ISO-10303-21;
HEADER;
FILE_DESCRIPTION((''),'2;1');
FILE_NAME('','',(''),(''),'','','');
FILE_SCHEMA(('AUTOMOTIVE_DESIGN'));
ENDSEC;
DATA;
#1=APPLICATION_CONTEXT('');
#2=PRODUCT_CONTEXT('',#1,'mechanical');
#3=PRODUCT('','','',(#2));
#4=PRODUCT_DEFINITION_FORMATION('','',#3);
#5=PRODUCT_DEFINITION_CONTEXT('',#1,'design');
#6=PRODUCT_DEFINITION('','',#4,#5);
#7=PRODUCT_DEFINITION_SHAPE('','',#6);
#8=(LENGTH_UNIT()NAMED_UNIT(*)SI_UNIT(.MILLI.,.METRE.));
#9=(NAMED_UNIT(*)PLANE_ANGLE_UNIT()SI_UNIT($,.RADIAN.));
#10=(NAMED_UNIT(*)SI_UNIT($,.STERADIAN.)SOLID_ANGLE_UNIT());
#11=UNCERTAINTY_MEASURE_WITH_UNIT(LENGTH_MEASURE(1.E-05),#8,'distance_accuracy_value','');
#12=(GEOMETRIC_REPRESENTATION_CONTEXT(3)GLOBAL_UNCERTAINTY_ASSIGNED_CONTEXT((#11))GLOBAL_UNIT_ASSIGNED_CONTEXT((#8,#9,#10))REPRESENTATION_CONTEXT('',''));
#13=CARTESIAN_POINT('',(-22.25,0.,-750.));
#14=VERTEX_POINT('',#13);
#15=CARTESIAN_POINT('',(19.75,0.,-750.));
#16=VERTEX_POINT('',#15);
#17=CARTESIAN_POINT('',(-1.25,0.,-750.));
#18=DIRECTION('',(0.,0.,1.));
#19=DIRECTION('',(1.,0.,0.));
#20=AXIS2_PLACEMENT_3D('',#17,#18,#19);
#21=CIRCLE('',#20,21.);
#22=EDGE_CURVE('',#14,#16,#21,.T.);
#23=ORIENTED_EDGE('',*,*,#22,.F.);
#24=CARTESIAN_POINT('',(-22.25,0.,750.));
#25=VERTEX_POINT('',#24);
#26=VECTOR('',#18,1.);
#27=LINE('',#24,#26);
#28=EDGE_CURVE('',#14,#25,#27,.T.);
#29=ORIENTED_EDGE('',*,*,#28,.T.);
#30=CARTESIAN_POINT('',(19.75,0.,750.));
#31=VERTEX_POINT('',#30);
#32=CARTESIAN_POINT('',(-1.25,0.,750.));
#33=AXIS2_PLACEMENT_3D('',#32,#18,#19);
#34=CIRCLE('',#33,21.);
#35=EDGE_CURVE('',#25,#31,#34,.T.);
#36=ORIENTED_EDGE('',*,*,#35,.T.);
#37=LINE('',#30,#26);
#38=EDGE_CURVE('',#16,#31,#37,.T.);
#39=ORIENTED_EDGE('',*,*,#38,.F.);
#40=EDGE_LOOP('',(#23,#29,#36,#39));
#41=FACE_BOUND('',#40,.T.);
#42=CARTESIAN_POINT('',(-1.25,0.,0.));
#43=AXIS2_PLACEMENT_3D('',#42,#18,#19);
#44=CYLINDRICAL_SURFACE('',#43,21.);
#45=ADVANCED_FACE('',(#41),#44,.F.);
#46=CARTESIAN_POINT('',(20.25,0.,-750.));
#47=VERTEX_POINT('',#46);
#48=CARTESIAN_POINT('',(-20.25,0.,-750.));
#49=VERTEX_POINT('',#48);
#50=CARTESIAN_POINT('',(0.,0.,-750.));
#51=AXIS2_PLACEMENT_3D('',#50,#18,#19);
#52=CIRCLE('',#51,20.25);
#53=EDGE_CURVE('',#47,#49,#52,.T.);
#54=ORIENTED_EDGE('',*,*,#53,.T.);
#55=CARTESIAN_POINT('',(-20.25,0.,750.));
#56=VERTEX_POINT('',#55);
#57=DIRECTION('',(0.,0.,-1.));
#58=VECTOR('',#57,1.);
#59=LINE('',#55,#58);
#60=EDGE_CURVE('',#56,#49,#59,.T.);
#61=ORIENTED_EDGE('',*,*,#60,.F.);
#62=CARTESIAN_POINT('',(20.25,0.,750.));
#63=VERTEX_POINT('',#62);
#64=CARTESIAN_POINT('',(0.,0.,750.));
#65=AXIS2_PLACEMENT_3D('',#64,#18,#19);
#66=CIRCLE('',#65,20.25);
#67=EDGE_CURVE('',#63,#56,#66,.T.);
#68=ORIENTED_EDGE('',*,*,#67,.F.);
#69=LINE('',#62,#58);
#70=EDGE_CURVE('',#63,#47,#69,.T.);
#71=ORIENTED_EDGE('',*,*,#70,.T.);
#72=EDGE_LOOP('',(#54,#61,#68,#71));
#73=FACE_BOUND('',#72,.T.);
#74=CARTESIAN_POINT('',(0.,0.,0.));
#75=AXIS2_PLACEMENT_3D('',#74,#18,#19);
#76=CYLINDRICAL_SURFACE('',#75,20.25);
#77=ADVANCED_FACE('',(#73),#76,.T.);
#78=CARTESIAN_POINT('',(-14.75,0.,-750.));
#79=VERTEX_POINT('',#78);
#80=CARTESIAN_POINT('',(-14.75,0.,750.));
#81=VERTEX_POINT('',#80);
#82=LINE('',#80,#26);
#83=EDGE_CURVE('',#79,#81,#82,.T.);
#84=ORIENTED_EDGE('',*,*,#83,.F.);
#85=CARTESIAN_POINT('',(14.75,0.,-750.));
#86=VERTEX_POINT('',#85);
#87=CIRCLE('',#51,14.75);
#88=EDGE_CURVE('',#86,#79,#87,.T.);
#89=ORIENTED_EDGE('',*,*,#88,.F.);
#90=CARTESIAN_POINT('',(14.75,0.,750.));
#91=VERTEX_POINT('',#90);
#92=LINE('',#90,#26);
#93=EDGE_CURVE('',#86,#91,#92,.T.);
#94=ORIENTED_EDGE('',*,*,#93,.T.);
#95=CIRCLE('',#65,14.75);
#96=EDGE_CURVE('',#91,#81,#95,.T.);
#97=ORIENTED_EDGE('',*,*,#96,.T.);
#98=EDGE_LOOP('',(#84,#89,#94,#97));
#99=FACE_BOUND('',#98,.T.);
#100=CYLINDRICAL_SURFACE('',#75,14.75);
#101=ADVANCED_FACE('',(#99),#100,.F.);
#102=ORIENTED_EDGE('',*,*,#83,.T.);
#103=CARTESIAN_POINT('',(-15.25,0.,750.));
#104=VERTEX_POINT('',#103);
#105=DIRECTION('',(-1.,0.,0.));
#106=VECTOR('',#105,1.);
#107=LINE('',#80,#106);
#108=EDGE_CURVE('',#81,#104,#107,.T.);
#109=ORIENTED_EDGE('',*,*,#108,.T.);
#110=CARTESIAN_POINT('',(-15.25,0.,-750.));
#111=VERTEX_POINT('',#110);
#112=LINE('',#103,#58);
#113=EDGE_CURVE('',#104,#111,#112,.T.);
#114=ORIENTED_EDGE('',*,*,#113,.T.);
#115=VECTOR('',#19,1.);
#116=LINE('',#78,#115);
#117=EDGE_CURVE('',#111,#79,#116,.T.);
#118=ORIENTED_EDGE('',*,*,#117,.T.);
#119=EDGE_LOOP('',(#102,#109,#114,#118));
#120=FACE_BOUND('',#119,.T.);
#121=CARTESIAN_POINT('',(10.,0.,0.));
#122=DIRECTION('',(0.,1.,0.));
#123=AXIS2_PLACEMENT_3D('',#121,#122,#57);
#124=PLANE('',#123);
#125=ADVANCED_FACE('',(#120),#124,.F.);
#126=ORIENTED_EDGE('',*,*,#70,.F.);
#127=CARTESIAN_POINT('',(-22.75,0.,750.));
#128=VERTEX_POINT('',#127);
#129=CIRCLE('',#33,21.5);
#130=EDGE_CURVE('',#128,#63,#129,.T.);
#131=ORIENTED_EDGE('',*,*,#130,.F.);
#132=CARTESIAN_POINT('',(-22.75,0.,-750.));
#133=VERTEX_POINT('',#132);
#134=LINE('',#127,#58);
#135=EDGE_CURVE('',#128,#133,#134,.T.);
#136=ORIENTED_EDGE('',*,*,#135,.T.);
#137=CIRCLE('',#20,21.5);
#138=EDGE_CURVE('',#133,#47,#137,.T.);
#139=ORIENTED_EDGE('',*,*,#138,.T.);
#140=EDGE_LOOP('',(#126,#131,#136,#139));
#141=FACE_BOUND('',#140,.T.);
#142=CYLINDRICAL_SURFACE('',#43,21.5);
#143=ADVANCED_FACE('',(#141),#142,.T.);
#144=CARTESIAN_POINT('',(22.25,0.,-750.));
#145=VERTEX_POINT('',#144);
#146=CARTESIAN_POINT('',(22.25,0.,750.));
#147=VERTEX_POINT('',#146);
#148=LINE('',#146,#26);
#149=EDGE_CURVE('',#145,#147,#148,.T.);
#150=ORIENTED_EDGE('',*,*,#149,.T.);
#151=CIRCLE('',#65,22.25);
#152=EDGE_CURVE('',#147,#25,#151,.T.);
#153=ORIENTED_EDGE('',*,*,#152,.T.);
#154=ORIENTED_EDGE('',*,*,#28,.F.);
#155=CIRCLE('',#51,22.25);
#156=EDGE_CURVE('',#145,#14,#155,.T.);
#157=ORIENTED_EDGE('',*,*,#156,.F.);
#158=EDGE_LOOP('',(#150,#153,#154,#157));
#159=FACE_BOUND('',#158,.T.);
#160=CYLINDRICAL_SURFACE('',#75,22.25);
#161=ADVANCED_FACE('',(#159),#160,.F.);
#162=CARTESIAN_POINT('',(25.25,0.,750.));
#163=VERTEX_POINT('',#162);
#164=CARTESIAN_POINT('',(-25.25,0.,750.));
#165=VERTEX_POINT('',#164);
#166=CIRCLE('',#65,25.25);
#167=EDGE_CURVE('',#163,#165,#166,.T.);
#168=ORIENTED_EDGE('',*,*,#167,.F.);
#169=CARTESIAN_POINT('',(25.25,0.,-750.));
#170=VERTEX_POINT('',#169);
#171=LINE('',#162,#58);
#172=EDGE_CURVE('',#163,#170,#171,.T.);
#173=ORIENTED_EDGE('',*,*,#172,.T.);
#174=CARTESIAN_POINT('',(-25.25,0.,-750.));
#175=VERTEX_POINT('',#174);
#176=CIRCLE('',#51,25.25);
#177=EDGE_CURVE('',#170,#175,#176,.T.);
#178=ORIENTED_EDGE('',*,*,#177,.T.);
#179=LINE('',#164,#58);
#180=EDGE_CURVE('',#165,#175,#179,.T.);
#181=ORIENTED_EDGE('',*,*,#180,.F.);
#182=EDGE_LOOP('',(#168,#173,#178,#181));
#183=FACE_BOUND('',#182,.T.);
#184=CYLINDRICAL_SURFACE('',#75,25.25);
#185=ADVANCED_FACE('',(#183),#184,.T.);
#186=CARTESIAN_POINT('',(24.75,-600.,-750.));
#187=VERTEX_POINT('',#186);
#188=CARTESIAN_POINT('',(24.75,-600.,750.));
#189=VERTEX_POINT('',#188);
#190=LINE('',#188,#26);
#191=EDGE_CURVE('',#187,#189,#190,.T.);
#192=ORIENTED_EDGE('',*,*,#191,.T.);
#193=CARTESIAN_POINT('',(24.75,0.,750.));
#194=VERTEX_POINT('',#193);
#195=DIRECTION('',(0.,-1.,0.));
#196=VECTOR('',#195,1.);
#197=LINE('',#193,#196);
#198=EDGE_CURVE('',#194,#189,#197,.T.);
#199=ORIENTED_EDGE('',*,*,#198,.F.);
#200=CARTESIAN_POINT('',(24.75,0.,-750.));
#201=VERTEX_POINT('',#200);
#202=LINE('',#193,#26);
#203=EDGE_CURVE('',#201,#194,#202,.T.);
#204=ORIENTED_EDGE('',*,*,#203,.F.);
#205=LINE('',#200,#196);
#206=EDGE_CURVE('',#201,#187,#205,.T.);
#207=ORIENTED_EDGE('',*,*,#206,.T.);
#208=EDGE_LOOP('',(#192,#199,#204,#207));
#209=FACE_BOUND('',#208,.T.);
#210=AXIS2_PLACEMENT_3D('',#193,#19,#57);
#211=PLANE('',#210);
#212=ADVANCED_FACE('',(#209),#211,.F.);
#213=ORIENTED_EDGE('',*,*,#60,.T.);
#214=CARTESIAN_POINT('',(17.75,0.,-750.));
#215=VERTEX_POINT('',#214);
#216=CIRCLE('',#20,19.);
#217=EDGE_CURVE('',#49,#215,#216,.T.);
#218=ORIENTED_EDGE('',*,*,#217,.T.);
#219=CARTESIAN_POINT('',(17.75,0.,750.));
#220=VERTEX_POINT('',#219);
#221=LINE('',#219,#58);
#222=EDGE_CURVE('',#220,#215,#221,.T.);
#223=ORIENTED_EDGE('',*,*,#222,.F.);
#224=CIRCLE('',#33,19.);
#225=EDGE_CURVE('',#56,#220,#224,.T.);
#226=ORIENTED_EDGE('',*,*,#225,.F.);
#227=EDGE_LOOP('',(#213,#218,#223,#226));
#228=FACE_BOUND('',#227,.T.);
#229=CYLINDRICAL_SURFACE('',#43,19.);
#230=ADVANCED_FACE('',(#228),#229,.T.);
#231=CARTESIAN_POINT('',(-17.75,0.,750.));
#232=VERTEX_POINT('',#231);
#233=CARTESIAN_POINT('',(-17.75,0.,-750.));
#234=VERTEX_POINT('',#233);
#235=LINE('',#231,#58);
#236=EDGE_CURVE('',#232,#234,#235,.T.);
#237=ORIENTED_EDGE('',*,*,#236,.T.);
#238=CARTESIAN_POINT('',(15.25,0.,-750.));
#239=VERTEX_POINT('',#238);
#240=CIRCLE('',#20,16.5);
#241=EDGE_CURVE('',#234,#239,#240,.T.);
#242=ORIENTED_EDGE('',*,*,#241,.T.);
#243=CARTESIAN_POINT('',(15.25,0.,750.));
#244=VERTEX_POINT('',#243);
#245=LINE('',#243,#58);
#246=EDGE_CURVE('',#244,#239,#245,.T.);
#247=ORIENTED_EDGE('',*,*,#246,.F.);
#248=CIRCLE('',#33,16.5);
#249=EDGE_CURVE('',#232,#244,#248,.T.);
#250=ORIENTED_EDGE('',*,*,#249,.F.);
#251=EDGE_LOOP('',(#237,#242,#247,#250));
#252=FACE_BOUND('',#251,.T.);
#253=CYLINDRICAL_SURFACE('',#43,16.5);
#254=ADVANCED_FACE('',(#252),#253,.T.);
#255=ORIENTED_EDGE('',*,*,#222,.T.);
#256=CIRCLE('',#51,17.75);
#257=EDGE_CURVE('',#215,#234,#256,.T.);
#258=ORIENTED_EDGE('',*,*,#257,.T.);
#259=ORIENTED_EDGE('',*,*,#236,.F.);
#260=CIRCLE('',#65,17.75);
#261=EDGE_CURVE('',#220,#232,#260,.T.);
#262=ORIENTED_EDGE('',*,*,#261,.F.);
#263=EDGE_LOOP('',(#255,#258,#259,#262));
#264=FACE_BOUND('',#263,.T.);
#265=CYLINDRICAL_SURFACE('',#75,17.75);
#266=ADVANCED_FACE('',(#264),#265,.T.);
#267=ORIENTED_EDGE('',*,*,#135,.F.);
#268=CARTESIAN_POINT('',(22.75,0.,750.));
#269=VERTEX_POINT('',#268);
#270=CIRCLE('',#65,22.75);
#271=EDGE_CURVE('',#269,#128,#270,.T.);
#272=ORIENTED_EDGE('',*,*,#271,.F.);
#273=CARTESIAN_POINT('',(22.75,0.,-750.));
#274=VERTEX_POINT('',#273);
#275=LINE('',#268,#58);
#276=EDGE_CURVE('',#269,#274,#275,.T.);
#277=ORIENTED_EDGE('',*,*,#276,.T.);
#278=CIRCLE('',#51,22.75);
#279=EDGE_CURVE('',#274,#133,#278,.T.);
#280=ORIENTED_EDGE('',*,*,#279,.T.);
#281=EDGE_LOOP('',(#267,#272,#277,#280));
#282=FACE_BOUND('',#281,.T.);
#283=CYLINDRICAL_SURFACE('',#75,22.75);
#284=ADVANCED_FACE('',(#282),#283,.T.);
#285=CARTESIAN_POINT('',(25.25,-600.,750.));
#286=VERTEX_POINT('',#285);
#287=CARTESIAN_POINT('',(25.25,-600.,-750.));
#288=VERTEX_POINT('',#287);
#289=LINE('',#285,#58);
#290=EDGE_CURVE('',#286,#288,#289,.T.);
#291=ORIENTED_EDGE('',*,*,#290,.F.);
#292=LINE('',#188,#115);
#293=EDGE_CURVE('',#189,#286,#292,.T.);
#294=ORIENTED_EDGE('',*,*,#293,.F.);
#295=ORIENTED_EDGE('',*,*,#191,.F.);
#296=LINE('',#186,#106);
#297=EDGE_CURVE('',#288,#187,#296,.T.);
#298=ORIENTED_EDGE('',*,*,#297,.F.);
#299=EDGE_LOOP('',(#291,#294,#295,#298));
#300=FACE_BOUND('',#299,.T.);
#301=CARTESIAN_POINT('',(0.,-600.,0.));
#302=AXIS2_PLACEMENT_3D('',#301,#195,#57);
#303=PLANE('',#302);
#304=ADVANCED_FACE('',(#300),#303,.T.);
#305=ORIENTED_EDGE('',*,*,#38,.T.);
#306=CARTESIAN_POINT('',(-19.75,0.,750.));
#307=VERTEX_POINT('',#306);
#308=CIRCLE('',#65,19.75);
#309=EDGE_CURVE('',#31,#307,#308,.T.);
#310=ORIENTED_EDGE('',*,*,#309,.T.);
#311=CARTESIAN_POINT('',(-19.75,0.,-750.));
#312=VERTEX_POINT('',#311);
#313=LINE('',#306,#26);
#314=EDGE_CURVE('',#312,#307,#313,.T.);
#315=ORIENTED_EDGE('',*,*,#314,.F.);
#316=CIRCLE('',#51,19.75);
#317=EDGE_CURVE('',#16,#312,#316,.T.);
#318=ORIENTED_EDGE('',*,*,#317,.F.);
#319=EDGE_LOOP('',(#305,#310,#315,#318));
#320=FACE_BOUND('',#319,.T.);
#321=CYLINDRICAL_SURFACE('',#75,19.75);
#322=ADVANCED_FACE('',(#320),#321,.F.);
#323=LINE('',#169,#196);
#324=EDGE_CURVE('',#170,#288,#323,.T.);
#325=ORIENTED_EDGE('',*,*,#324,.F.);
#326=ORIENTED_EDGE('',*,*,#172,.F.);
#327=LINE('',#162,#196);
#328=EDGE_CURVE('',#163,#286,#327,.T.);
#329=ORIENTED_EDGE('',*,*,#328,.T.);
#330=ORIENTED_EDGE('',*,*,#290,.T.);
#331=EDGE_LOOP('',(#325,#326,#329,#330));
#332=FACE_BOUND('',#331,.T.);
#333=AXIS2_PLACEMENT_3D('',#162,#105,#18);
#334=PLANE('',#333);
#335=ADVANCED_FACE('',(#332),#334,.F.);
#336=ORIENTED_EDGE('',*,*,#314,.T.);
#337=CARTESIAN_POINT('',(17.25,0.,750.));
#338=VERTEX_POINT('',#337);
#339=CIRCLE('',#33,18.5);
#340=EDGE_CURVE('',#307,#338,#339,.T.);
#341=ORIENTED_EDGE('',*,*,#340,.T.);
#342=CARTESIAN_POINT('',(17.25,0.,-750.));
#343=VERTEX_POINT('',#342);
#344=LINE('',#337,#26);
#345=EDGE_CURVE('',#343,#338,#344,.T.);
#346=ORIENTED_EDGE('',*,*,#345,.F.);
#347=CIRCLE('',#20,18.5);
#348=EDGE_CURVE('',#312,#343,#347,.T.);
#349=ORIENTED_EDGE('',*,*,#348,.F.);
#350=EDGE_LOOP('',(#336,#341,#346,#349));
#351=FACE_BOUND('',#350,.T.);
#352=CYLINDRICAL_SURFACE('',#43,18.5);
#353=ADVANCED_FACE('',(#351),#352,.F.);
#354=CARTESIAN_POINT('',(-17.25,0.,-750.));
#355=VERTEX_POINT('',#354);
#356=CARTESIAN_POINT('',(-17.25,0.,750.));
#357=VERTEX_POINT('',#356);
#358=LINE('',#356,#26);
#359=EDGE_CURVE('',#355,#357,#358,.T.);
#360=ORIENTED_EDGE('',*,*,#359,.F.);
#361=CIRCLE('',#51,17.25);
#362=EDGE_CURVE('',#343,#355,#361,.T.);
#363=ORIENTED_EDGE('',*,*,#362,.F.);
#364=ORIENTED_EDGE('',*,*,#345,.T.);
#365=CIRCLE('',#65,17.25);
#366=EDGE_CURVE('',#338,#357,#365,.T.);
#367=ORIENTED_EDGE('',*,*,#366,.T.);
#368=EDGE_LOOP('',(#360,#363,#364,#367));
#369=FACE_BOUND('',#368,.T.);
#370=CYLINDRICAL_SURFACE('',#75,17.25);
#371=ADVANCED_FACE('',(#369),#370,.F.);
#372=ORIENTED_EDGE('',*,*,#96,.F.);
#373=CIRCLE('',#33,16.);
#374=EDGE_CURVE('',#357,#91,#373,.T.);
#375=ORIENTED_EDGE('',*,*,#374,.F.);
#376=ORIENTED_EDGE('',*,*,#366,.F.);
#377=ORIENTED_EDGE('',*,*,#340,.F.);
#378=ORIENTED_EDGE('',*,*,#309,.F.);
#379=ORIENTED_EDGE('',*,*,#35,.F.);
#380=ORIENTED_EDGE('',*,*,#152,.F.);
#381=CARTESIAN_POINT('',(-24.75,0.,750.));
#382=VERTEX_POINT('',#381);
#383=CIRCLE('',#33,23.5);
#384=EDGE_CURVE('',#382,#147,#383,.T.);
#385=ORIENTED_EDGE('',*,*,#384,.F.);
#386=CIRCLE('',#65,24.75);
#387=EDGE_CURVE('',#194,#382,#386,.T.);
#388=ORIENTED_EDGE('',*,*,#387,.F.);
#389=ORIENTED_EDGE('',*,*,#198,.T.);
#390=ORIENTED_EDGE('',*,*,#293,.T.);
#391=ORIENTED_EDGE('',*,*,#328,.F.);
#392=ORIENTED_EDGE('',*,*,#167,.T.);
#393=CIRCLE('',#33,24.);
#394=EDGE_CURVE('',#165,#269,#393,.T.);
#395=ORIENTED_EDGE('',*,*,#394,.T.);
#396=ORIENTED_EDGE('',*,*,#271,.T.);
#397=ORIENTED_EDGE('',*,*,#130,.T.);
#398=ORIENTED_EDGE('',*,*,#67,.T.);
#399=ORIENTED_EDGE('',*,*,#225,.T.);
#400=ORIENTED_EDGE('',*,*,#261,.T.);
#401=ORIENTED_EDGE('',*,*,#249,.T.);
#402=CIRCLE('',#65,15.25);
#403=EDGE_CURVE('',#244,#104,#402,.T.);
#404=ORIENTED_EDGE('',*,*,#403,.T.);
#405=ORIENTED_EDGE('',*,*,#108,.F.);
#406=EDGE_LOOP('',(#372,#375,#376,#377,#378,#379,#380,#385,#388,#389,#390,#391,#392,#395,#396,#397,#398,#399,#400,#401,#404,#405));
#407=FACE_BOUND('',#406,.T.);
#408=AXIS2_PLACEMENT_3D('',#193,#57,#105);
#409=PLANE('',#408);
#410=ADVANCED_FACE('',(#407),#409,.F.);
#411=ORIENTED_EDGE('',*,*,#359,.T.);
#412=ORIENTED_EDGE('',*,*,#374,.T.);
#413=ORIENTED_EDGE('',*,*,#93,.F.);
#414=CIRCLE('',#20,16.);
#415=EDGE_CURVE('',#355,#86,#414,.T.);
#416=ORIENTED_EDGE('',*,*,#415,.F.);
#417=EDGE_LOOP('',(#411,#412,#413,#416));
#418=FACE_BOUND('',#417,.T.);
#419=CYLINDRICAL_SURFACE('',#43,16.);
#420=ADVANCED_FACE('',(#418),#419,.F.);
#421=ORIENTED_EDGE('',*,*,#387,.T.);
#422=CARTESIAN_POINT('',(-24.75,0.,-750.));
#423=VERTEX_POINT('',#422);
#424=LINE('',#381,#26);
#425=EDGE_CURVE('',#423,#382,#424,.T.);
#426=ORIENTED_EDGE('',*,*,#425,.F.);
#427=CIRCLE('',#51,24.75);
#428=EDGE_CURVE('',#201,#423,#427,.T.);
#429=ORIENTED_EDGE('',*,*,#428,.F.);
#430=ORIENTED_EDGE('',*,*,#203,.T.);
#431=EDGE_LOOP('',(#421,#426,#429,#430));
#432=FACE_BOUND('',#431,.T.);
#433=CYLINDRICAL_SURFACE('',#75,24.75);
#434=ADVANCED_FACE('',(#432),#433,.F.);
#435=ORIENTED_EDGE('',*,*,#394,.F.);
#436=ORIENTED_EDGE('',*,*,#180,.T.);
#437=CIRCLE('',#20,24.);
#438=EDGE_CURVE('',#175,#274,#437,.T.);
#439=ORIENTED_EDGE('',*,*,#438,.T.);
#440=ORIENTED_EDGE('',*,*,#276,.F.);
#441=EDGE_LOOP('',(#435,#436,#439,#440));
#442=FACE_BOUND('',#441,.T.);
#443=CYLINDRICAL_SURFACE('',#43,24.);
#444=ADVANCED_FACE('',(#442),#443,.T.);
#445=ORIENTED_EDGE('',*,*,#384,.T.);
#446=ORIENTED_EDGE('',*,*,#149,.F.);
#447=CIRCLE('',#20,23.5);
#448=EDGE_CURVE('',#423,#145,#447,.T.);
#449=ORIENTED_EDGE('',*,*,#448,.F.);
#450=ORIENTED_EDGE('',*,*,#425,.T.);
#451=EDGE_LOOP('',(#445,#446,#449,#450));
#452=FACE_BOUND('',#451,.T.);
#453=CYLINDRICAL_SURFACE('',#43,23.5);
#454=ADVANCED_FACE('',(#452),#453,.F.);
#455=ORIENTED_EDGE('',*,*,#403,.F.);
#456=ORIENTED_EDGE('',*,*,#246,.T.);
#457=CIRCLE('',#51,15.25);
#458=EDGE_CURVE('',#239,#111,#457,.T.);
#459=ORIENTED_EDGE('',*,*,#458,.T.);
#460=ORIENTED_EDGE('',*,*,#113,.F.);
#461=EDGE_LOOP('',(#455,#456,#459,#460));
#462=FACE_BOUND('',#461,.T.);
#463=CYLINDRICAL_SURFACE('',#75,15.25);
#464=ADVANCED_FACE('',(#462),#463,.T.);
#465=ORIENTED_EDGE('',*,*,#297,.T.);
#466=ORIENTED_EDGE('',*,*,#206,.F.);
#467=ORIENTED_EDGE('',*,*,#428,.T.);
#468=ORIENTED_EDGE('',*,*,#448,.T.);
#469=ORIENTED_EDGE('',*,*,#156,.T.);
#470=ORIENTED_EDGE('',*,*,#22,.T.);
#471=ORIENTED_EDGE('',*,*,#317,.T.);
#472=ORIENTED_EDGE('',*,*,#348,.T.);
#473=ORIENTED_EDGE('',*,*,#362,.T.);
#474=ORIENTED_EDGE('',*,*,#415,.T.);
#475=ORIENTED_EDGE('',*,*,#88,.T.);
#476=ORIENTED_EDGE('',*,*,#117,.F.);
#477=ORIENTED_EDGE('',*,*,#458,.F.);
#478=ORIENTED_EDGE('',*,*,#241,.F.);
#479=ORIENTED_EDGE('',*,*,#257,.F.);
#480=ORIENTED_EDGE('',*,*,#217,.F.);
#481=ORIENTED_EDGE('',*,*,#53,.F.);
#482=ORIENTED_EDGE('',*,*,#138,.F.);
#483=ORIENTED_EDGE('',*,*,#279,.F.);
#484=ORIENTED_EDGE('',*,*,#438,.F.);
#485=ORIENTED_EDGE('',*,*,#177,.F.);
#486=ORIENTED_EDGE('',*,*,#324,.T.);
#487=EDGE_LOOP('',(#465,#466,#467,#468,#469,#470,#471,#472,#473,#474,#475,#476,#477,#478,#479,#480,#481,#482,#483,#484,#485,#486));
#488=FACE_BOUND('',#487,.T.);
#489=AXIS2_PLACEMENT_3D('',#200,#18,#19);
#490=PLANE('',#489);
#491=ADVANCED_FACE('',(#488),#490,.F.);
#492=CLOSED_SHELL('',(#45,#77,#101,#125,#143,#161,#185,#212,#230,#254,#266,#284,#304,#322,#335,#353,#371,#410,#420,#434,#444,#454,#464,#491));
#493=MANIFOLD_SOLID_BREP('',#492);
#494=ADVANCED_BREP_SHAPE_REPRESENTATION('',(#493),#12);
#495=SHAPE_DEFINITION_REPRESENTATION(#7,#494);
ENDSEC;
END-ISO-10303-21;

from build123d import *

# Parameters (mm, degrees)
SKETCH_2_W = 0.5
SKETCH_2_H = 1500


with BuildPart() as part:
    # 扫描1: sweep along a path in 草图1
    with BuildLine(Plane.XY) as sweep_1_path:
        Line((25, -600), (25, 0))
        ThreePointArc((25, 0), (0, 25), (-25, 0))
        ThreePointArc((-25, 0), (-1.25, -23.75), (22.5, 0))
        ThreePointArc((22.5, 0), (0, 22.5), (-22.5, 0))
        ThreePointArc((-22.5, 0), (-1.25, -21.25), (20, 0))
        ThreePointArc((20, 0), (0, 20), (-20, 0))
        ThreePointArc((-20, 0), (-1.25, -18.75), (17.5, 0))
        ThreePointArc((17.5, 0), (0, 17.5), (-17.5, 0))
        ThreePointArc((-17.5, 0), (-1.25, -16.25), (15, 0))
        ThreePointArc((15, 0), (0, 15), (-15, 0))
    # 草图2 → 扫描1 (sweep)
    with BuildSketch(Plane(origin=(0, -600, 0), x_dir=(1, 0, 0), z_dir=(0, 1, 0))):
        with Locations((25, 0)):
            Rectangle(SKETCH_2_W, SKETCH_2_H)
    sweep(path=sweep_1_path.line)


solid = part.part
